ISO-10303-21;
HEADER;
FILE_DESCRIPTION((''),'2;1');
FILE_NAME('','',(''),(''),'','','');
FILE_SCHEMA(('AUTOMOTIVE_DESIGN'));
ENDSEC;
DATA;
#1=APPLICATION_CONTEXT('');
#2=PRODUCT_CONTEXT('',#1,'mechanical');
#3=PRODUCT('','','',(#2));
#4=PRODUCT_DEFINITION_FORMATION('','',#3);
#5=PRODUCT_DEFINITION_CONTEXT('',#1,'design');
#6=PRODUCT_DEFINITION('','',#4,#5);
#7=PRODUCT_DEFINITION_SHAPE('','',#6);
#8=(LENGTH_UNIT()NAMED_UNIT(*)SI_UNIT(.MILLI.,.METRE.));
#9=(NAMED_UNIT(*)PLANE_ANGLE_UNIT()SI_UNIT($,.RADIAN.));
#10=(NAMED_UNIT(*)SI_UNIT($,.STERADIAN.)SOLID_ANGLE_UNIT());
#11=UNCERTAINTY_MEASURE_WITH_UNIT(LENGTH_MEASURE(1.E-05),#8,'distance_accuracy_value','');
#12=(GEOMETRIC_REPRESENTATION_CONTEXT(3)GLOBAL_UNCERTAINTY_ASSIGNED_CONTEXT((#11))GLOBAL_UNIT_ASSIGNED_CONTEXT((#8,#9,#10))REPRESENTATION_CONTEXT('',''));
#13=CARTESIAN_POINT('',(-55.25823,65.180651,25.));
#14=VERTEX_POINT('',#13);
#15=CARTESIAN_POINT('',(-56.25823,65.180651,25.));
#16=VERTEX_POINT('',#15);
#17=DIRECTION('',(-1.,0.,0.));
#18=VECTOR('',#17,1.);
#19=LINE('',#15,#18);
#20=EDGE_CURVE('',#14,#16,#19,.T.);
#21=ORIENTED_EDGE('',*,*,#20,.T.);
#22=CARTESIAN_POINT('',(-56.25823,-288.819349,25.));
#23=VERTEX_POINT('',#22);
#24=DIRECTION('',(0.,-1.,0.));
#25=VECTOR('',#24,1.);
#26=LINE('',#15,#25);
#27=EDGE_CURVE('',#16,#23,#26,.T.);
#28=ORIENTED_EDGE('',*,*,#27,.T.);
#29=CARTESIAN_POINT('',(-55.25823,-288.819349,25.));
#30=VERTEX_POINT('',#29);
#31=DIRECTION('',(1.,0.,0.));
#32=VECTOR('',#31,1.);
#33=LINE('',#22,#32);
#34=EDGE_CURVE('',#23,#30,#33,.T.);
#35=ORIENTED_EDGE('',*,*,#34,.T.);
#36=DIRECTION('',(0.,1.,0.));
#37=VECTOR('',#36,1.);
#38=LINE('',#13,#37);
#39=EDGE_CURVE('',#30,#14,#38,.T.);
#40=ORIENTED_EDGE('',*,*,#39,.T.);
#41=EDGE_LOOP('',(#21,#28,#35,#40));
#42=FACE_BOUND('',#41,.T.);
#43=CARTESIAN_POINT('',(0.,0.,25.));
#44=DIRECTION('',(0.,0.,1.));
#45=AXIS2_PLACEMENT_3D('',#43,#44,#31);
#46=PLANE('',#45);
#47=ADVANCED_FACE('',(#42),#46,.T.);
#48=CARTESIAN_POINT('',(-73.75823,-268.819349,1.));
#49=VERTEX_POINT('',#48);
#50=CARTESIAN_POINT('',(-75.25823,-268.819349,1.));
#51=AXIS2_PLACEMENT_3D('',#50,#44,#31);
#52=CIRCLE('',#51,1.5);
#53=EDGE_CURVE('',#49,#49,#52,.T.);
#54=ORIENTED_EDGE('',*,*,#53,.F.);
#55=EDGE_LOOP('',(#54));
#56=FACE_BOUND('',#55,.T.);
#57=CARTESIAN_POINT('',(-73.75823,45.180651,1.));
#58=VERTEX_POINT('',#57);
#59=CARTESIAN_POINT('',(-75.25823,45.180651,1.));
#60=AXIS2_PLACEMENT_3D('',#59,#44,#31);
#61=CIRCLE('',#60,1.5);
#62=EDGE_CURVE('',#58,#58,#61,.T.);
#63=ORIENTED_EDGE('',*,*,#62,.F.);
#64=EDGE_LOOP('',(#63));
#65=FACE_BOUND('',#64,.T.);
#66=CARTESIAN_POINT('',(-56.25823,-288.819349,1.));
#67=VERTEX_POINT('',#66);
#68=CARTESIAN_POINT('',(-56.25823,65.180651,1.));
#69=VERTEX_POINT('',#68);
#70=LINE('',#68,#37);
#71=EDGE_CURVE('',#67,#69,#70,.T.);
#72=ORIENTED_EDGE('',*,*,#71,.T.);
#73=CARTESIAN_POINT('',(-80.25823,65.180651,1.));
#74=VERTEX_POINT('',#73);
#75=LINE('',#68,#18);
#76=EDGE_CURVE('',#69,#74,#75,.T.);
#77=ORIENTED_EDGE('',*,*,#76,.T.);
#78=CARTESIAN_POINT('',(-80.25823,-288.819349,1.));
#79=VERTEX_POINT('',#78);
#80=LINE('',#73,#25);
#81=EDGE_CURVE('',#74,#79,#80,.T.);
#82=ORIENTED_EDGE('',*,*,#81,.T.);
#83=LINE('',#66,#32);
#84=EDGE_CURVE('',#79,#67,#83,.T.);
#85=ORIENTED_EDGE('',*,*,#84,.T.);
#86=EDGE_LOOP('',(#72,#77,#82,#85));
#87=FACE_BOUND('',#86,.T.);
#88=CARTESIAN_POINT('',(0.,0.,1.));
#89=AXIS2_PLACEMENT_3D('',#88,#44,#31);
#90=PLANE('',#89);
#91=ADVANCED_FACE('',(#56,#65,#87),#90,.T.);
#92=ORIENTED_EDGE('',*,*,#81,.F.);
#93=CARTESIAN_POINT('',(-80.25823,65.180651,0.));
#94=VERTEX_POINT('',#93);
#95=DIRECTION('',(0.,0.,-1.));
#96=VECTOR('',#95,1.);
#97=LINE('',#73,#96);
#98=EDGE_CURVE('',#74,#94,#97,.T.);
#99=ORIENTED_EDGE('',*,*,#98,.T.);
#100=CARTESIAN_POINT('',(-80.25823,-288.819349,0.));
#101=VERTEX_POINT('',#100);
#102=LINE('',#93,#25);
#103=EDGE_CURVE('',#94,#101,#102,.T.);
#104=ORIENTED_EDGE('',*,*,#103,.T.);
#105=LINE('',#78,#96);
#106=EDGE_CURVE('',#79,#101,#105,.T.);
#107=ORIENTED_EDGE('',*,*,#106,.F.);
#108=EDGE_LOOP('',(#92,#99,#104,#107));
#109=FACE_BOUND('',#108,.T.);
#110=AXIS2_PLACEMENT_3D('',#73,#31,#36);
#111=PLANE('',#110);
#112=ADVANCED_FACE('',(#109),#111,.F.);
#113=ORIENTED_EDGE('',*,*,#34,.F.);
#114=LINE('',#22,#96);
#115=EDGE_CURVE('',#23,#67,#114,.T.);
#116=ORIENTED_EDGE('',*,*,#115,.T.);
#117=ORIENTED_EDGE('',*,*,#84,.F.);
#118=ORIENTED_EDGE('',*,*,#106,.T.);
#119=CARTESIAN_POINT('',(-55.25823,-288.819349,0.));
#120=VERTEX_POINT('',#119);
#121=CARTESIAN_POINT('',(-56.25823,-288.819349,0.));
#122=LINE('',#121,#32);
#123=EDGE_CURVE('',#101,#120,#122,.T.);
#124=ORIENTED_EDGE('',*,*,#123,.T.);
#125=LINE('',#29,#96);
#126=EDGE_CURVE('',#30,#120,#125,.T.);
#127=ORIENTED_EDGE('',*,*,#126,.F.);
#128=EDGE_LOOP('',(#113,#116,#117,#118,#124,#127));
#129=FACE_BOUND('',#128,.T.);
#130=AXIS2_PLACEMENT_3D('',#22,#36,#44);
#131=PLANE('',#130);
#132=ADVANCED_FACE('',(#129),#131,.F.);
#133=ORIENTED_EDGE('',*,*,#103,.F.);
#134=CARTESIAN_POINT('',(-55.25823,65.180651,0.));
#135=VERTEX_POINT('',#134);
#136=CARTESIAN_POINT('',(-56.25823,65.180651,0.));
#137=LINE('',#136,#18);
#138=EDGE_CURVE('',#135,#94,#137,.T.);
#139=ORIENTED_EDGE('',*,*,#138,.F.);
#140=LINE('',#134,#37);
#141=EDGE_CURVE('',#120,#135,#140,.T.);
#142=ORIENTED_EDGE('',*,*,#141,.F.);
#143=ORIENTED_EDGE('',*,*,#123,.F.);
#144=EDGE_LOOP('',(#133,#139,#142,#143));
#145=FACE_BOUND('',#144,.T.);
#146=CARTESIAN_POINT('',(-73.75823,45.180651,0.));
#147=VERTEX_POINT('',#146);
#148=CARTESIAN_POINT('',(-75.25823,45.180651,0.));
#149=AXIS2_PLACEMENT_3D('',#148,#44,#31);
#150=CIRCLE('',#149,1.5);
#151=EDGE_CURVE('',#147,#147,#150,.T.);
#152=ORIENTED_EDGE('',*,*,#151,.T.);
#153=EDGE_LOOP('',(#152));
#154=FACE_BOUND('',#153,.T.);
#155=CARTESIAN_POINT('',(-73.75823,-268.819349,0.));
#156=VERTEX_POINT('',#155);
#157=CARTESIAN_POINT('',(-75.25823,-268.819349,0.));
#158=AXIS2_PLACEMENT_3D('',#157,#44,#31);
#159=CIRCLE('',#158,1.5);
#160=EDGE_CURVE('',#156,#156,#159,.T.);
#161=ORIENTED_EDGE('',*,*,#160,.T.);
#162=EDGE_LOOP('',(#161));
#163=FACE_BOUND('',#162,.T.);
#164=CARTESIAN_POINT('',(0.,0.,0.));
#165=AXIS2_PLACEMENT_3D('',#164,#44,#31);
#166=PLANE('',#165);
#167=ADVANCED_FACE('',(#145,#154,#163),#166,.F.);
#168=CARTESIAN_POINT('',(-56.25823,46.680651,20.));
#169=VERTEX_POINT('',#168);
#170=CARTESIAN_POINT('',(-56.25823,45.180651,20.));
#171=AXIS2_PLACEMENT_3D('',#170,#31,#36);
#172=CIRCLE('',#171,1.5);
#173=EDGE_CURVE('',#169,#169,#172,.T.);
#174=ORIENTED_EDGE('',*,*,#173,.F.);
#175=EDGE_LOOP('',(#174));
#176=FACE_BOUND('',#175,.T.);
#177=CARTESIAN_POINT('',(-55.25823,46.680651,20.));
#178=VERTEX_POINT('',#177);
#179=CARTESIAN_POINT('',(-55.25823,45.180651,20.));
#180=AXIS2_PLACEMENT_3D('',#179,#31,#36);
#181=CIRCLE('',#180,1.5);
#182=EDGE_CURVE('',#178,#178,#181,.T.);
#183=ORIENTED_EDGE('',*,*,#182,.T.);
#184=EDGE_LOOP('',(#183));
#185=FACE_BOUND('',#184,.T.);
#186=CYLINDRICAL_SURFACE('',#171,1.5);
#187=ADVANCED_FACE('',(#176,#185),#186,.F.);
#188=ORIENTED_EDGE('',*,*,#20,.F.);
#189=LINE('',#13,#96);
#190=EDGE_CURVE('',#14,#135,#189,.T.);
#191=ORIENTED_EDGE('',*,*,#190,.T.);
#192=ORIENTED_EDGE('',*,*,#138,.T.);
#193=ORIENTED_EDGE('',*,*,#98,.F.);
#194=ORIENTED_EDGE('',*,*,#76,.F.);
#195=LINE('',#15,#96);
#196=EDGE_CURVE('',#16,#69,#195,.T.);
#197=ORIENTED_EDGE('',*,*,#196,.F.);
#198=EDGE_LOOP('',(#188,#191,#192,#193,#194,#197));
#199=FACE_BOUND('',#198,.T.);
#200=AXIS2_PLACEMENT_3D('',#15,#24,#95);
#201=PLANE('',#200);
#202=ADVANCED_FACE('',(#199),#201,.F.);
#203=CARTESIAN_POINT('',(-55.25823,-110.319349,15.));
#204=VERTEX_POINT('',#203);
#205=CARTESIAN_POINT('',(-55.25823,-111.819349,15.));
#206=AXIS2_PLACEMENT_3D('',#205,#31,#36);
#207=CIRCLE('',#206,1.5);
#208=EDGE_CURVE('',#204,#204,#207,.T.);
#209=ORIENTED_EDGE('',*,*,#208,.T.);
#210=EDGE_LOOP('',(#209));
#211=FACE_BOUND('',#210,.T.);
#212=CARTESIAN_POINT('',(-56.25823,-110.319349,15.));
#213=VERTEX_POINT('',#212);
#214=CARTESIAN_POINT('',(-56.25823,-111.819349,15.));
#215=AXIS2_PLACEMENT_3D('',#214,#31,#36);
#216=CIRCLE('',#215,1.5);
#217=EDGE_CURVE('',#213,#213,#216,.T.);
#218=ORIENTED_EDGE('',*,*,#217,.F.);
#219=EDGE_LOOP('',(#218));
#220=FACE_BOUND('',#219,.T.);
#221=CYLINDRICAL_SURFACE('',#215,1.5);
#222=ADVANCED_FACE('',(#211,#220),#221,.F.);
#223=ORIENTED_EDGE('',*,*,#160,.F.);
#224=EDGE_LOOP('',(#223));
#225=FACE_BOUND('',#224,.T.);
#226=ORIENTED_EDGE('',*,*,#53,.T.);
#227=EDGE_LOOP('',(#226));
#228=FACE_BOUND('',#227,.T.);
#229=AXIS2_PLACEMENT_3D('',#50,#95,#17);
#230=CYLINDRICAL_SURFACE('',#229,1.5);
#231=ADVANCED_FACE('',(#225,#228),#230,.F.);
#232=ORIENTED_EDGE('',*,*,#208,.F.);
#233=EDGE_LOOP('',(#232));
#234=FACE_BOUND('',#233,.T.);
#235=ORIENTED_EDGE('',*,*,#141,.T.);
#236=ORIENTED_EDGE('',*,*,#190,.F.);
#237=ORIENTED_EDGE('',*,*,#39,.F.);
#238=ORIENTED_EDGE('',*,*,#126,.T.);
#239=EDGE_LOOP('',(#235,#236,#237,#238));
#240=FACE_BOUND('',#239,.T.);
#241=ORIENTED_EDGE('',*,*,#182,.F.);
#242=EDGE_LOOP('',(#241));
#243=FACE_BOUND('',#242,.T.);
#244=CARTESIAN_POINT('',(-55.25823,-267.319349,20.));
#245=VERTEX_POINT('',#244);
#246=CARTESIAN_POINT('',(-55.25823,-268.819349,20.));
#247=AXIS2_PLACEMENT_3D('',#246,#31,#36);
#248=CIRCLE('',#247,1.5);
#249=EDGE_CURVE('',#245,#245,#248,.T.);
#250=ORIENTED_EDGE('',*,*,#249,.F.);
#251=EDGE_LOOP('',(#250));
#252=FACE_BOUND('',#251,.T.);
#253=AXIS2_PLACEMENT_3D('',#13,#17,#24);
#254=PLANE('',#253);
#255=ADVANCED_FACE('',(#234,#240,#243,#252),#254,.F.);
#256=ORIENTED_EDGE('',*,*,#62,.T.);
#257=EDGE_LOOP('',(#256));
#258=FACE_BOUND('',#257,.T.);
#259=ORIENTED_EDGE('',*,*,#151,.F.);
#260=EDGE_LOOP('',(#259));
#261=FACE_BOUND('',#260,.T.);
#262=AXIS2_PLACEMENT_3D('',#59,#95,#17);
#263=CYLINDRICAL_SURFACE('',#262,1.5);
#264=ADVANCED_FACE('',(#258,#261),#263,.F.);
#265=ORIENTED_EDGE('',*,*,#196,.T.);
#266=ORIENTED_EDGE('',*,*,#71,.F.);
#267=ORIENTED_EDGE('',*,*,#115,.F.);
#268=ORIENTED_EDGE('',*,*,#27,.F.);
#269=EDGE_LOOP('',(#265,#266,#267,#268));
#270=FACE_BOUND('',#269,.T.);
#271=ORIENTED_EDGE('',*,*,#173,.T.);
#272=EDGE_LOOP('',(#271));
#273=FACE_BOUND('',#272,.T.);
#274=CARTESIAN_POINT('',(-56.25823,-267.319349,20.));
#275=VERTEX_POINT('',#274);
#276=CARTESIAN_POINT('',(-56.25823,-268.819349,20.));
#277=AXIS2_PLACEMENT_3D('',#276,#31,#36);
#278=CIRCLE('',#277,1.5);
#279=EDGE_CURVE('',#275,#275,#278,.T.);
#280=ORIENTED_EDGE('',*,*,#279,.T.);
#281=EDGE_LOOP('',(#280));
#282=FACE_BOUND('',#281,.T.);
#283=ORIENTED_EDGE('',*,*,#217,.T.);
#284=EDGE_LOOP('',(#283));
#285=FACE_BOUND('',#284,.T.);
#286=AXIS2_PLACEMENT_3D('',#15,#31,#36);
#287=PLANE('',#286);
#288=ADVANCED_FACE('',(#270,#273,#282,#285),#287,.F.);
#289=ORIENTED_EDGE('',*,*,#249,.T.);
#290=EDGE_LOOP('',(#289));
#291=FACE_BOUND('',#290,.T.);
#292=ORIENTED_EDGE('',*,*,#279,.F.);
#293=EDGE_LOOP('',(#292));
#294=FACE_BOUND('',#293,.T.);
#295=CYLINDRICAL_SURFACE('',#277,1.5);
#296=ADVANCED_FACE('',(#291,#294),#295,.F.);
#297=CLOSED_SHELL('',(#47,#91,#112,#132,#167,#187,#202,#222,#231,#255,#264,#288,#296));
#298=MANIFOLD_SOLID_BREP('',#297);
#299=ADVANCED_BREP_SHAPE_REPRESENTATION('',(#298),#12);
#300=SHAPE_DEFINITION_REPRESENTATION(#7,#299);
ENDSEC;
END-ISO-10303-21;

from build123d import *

# Parameters (mm, degrees)
CROQUIS2_W              = 1
CROQUIS2_H              = 354
SALIENTE_EXTRUIR2_DEPTH = 25
CROQUIS5_R              = 1.5
CORTAR_EXTRUIR2_DEPTH   = 1
CROQUIS1_W              = 24
CROQUIS1_H              = 354
CROQUIS1_R              = 1.5
SALIENTE_EXTRUIR3_DEPTH = 1


with BuildPart() as part:
    # Croquis2 → Saliente-Extruir2 (new body)
    with BuildSketch(Plane.XY):
        with Locations((-55.758230402, -111.819349421)):
            Rectangle(CROQUIS2_W, CROQUIS2_H)
    extrude(amount=SALIENTE_EXTRUIR2_DEPTH)

    # Croquis5 → Cortar-Extruir2 (cut)
    with BuildSketch(Plane(origin=(-55.258230402, 0, 0), x_dir=(0, 0, -1), z_dir=(1, 0, 0))):
        with Locations((-20, 45.180650579)):
            Circle(CROQUIS5_R)
        with Locations((-20, -268.819349421)):
            Circle(CROQUIS5_R)
        with Locations((-15, -111.819349421)):
            Circle(CROQUIS5_R)
    extrude(amount=-CORTAR_EXTRUIR2_DEPTH, mode=Mode.SUBTRACT)

    # Croquis1 → Saliente-Extruir3 (add)
    with BuildSketch(Plane.XY):
        with Locations((-68.258230402, -111.819349421)):
            Rectangle(CROQUIS1_W, CROQUIS1_H)
        with Locations((-75.258230402, 45.180650579)):
            Circle(CROQUIS1_R, mode=Mode.SUBTRACT)
        with Locations((-75.258230402, -268.819349421)):
            Circle(CROQUIS1_R, mode=Mode.SUBTRACT)
    extrude(amount=SALIENTE_EXTRUIR3_DEPTH)


solid = part.part
